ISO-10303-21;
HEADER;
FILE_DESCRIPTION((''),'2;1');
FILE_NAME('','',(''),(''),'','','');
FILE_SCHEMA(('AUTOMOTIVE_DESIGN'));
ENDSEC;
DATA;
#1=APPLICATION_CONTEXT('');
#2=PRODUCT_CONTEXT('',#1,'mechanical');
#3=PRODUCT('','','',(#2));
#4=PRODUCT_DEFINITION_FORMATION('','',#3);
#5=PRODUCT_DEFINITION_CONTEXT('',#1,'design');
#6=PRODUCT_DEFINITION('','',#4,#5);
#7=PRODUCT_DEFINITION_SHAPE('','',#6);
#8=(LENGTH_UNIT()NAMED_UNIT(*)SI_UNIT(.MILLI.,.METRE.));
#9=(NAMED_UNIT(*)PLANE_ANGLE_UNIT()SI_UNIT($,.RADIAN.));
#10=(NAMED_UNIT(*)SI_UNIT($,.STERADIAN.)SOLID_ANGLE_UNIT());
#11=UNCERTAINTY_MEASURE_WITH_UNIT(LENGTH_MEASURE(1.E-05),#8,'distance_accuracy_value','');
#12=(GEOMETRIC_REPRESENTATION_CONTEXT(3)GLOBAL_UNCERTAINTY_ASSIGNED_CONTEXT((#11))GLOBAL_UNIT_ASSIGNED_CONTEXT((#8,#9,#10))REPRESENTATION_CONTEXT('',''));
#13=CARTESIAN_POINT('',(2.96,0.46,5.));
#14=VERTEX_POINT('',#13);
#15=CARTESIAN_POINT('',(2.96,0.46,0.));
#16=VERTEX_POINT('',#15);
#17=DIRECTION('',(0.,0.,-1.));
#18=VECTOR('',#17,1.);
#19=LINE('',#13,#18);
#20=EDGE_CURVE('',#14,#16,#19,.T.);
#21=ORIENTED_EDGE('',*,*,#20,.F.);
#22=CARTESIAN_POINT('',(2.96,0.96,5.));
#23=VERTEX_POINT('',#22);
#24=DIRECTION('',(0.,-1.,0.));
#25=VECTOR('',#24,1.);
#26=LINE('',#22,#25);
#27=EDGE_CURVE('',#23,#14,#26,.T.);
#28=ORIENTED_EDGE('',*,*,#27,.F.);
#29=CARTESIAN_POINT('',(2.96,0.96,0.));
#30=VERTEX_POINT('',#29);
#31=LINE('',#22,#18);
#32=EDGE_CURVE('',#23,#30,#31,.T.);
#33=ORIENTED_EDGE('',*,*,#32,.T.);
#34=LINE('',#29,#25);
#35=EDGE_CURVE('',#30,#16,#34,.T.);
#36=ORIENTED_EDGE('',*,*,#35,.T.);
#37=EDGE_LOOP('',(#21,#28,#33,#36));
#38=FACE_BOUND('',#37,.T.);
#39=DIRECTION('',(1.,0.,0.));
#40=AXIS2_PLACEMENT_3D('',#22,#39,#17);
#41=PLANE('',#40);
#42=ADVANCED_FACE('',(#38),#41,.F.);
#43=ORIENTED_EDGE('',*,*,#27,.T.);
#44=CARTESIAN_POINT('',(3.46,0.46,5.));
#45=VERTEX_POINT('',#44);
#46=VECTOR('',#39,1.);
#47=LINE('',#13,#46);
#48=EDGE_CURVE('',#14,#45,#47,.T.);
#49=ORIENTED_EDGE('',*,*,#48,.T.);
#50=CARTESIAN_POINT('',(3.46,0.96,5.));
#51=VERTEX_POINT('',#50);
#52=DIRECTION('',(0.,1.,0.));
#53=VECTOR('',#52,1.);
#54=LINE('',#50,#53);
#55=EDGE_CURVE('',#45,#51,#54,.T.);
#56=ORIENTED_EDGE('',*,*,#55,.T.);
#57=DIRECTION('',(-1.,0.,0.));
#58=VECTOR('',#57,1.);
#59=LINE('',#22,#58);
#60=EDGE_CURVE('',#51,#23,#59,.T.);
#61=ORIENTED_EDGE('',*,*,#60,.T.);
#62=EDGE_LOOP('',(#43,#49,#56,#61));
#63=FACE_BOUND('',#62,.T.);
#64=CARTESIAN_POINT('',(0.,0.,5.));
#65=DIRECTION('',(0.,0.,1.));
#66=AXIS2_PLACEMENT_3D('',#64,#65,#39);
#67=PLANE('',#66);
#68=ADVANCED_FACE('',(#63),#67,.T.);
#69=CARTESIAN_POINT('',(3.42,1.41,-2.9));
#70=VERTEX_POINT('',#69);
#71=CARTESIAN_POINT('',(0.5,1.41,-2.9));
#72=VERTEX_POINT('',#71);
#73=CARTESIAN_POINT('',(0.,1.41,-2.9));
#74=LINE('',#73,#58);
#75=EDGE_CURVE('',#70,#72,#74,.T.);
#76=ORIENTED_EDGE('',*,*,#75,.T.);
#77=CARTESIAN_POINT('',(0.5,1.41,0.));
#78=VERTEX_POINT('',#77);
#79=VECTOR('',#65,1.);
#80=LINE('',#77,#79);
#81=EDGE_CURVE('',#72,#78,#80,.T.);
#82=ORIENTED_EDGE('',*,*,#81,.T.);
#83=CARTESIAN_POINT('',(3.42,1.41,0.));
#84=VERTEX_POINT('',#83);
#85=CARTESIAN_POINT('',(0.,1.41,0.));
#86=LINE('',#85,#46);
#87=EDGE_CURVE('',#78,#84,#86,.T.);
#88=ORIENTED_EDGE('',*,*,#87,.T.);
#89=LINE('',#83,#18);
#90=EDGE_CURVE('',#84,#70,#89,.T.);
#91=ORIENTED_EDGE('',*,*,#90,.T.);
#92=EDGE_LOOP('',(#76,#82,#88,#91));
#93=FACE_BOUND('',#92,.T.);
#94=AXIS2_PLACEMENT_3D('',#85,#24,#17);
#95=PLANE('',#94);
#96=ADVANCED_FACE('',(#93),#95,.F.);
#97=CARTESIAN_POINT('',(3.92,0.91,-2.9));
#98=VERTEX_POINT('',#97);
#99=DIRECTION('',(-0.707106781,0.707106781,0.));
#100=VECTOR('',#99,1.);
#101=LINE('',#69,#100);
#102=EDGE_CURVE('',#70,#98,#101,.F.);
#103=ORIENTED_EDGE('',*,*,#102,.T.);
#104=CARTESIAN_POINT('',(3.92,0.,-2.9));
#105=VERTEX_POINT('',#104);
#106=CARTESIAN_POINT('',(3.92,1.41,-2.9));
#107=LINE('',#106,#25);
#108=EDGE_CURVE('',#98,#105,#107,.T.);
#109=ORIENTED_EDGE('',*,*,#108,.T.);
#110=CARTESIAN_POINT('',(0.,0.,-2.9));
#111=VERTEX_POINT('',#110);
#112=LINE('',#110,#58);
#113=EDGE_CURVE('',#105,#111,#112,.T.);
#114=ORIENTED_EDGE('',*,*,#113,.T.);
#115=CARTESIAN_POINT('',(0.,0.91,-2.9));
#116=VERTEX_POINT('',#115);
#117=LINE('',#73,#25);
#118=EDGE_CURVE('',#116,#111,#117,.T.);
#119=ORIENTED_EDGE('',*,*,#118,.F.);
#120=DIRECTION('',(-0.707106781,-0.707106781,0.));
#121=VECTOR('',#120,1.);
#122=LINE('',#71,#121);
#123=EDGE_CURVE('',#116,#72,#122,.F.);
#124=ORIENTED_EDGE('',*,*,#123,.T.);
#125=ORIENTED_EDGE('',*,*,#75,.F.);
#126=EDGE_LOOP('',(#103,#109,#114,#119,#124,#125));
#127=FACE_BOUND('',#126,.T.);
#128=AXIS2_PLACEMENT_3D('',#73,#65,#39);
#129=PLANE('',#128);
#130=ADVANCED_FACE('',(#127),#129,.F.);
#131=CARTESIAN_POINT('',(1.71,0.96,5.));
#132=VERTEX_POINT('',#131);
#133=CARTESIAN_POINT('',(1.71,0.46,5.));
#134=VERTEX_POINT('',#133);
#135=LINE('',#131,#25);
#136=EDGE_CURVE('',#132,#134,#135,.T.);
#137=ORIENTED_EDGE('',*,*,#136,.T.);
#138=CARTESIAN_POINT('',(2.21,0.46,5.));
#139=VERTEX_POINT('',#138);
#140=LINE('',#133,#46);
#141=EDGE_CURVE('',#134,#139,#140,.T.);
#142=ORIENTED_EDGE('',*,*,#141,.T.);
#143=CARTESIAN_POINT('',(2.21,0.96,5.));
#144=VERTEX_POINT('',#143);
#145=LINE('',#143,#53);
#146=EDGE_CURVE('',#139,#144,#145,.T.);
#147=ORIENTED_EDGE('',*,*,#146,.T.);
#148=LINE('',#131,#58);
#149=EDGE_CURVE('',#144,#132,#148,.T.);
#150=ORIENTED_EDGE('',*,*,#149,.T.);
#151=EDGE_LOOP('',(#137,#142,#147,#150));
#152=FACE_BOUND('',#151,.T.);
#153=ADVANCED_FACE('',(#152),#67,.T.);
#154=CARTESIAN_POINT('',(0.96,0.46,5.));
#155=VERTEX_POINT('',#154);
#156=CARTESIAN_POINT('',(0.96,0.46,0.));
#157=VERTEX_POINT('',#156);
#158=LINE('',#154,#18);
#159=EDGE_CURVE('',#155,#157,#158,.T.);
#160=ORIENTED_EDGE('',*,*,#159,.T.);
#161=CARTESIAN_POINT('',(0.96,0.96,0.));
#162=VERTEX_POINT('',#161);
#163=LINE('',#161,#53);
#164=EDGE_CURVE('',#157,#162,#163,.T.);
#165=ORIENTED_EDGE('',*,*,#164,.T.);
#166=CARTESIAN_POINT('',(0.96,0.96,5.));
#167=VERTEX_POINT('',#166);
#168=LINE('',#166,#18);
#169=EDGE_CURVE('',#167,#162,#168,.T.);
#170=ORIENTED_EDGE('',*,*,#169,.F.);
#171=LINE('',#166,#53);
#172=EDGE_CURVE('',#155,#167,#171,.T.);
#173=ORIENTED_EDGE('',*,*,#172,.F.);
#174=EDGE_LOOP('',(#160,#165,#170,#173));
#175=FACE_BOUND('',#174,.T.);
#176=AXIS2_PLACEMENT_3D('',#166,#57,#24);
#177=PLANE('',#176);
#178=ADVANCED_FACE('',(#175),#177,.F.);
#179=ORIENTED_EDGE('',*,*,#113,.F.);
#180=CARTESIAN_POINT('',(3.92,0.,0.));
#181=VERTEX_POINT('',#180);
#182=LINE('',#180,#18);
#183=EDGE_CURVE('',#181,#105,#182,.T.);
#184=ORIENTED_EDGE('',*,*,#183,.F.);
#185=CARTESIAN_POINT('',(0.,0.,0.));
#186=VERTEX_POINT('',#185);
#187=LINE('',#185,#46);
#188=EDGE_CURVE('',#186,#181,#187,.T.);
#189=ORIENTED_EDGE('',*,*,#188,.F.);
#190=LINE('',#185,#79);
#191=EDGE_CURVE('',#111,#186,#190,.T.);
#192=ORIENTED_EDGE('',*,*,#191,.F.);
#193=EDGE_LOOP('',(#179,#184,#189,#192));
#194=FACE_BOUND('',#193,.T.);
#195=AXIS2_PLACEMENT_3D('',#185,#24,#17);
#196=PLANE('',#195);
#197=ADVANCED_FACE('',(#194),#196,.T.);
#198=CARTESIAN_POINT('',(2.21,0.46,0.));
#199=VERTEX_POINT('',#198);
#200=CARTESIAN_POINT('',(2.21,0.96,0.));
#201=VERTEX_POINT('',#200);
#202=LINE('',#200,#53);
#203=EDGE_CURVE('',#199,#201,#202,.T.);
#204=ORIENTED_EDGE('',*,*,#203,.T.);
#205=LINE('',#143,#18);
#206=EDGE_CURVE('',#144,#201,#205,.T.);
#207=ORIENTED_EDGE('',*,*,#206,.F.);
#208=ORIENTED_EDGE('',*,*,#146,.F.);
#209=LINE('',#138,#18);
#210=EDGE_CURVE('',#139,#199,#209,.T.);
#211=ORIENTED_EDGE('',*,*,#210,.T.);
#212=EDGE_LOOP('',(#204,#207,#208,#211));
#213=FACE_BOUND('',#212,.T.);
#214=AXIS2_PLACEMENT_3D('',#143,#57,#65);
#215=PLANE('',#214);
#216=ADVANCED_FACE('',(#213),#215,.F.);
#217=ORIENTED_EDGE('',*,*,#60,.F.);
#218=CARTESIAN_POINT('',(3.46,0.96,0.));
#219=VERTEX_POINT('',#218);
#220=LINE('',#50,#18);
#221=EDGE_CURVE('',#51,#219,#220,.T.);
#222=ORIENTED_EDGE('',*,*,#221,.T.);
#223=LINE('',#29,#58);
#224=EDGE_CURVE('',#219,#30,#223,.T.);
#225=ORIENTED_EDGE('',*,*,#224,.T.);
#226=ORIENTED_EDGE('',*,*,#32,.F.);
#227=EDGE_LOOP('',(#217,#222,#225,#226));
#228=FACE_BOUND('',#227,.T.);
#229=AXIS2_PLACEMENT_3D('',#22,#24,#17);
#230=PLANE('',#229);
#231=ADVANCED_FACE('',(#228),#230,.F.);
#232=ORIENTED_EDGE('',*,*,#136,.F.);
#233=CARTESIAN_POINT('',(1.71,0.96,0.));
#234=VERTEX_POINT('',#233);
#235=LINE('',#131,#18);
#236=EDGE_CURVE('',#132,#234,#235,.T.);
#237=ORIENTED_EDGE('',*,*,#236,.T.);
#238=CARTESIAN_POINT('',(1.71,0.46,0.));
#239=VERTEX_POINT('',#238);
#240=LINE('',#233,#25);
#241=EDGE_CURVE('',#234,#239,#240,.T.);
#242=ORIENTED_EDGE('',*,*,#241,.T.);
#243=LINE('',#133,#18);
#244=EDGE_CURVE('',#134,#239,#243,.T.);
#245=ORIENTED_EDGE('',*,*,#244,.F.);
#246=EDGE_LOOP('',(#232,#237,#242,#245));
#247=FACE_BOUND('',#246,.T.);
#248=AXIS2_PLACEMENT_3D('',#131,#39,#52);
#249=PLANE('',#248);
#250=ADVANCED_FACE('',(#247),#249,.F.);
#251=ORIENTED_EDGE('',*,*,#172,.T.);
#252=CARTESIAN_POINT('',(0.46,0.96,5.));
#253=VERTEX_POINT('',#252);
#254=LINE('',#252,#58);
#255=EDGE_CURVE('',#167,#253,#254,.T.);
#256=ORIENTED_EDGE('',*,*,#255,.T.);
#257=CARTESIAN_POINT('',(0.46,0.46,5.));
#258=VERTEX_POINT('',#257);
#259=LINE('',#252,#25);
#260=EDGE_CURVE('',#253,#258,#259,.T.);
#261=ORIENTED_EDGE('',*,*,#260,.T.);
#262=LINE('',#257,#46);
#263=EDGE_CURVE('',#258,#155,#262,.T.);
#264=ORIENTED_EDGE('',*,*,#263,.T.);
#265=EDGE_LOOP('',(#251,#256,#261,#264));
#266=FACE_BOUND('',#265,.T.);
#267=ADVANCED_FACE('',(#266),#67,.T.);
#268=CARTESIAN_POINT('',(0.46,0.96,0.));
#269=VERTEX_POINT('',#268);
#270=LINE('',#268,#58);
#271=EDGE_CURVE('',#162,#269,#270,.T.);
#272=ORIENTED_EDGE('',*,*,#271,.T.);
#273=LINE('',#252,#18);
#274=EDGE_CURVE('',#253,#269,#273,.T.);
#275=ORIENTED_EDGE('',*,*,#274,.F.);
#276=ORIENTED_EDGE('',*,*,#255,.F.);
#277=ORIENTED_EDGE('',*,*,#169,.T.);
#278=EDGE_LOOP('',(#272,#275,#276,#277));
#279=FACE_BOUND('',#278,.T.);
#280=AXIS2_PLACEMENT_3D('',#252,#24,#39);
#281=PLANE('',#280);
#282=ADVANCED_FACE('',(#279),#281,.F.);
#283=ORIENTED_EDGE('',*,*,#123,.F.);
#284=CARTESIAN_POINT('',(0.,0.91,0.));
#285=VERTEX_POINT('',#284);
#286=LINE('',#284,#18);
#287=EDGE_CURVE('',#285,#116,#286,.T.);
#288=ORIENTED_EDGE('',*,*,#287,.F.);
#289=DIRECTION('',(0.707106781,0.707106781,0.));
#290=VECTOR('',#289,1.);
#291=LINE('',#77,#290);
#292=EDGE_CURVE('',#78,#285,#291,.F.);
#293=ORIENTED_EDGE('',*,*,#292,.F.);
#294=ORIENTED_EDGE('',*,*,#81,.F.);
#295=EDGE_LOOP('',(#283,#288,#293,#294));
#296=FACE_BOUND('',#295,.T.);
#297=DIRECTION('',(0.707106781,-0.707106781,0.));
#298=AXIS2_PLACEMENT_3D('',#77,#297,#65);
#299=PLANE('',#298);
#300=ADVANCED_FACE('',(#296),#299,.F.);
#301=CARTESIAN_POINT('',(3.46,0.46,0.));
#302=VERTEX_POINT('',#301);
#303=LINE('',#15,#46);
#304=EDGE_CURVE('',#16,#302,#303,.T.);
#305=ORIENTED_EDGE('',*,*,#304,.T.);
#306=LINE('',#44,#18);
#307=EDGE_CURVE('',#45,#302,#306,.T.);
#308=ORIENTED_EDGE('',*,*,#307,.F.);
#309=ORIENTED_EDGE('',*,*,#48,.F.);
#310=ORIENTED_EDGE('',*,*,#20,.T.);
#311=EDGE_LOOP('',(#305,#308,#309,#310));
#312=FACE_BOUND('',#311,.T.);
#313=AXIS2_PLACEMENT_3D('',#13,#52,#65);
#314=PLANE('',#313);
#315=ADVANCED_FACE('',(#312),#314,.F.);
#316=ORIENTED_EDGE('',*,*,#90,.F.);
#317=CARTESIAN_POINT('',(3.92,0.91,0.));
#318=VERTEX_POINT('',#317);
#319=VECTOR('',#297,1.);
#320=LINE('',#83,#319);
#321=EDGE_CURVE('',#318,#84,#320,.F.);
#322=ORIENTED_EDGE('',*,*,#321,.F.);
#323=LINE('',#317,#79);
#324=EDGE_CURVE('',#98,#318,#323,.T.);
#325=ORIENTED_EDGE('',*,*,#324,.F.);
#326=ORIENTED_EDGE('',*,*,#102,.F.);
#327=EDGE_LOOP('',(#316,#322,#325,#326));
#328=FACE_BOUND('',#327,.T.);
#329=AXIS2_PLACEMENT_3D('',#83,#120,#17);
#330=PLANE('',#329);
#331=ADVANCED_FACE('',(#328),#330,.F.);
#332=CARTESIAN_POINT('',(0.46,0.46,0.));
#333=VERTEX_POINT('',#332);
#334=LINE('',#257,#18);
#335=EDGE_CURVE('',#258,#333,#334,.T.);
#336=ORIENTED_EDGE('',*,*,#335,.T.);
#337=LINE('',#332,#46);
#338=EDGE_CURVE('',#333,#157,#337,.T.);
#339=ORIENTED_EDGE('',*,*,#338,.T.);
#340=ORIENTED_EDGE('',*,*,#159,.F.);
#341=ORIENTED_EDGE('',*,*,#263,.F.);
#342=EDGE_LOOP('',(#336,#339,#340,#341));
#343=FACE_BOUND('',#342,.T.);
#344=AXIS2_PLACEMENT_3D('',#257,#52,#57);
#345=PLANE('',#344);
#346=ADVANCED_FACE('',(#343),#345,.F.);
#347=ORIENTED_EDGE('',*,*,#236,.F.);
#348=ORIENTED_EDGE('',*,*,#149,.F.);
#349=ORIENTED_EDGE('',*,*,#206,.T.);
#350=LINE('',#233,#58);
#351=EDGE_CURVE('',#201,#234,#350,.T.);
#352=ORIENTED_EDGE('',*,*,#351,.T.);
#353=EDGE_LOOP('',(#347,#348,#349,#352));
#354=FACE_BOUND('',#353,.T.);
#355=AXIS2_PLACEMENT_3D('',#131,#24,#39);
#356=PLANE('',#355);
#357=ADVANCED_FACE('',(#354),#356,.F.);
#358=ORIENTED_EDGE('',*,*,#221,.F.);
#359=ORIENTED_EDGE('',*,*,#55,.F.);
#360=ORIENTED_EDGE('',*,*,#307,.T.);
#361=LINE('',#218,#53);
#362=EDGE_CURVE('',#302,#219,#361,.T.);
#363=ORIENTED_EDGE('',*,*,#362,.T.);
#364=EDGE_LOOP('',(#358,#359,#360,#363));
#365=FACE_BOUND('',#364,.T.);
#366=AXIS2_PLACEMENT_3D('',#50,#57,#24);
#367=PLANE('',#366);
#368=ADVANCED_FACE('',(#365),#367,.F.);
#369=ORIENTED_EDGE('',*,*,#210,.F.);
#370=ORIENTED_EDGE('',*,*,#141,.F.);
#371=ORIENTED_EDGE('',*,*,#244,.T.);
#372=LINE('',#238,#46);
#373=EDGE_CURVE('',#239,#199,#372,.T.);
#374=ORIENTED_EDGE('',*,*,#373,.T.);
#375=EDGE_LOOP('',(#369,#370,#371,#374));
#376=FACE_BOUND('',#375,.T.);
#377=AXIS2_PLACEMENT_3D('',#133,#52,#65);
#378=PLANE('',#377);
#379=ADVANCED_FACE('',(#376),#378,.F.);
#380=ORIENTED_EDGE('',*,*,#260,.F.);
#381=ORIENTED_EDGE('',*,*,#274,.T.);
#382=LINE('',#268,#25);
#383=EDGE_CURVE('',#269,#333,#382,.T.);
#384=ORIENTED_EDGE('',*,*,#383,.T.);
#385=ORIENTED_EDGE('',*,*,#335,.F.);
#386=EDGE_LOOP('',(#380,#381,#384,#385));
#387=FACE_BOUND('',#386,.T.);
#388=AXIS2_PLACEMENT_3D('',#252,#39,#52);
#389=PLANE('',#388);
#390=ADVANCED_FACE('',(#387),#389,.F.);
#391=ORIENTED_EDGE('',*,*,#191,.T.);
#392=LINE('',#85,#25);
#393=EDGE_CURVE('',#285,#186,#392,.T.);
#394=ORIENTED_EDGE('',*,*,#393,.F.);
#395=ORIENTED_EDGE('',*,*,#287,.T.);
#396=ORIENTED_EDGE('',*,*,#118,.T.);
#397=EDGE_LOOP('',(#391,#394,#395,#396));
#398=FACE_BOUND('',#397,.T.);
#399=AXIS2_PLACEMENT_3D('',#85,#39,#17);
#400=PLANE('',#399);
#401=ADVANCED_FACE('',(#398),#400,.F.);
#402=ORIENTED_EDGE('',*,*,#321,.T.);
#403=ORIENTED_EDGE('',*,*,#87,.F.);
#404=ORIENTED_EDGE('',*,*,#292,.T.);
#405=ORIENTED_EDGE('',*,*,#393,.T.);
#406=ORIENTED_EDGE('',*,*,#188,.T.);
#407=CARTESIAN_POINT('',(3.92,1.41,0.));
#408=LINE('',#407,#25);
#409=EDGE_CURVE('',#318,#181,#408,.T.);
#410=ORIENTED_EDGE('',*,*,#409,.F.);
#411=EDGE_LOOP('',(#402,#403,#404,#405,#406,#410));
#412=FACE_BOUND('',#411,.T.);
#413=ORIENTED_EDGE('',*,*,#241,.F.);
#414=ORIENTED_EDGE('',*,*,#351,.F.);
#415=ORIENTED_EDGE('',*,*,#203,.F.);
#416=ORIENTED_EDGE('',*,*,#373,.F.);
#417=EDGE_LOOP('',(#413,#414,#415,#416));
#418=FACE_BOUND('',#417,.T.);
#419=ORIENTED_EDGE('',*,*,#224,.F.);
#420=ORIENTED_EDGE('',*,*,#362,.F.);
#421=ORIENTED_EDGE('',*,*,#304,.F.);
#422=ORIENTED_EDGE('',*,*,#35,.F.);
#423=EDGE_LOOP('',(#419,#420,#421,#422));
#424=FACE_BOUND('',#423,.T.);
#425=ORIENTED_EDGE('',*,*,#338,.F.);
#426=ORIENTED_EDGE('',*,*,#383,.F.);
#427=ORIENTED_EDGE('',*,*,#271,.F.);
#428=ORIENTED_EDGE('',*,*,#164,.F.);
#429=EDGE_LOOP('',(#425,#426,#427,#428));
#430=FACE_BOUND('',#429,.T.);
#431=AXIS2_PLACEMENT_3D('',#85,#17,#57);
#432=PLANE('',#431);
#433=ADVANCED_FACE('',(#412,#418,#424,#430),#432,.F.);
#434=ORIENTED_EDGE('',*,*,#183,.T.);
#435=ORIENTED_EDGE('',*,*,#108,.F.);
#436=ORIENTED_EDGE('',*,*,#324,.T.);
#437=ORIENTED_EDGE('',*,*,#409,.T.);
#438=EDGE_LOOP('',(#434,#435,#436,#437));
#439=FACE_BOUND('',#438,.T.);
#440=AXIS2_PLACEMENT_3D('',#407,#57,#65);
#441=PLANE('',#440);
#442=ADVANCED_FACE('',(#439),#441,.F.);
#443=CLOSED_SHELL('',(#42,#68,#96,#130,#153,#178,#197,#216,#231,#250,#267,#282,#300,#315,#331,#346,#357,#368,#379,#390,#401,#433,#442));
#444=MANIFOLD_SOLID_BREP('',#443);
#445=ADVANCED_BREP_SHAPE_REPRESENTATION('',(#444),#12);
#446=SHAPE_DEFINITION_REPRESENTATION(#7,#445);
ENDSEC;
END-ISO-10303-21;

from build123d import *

# Parameters (mm, degrees)
SKETCH1_W           = 3.92
SKETCH1_H           = 2.9
BOSS_EXTRUDE1_DEPTH = 1.41
CHAMFER1_SIZE       = 0.5
SKETCH2_W           = 0.5
SKETCH2_H           = 0.5
BOSS_EXTRUDE2_DEPTH = 5


with BuildPart() as part:
    # Sketch1 → Boss-Extrude1 (new body)
    with BuildSketch(Plane(origin=(0, 0, 0), x_dir=(1, 0, 0), z_dir=(0, 1, 0))):
        with Locations((1.96, 1.45)):
            Rectangle(SKETCH1_W, SKETCH1_H)
    extrude(amount=BOSS_EXTRUDE1_DEPTH)

    # Chamfer1
    chamfer1_edges = [part.edges().sort_by_distance(p)[0] for p in [
        (3.92, 1.41, -1.45),
        (0, 1.41, -1.45),
    ]]
    chamfer(chamfer1_edges, length=CHAMFER1_SIZE)

    # Sketch2 → Boss-Extrude2 (add)
    with BuildSketch(Plane.XY):
        with Locations((0.71, 0.71)):
            Rectangle(SKETCH2_W, SKETCH2_H)
        with Locations((1.96, 0.71)):
            Rectangle(SKETCH2_W, SKETCH2_H)
        with Locations((3.21, 0.71)):
            Rectangle(SKETCH2_W, SKETCH2_H)
    extrude(amount=BOSS_EXTRUDE2_DEPTH)


solid = part.part
